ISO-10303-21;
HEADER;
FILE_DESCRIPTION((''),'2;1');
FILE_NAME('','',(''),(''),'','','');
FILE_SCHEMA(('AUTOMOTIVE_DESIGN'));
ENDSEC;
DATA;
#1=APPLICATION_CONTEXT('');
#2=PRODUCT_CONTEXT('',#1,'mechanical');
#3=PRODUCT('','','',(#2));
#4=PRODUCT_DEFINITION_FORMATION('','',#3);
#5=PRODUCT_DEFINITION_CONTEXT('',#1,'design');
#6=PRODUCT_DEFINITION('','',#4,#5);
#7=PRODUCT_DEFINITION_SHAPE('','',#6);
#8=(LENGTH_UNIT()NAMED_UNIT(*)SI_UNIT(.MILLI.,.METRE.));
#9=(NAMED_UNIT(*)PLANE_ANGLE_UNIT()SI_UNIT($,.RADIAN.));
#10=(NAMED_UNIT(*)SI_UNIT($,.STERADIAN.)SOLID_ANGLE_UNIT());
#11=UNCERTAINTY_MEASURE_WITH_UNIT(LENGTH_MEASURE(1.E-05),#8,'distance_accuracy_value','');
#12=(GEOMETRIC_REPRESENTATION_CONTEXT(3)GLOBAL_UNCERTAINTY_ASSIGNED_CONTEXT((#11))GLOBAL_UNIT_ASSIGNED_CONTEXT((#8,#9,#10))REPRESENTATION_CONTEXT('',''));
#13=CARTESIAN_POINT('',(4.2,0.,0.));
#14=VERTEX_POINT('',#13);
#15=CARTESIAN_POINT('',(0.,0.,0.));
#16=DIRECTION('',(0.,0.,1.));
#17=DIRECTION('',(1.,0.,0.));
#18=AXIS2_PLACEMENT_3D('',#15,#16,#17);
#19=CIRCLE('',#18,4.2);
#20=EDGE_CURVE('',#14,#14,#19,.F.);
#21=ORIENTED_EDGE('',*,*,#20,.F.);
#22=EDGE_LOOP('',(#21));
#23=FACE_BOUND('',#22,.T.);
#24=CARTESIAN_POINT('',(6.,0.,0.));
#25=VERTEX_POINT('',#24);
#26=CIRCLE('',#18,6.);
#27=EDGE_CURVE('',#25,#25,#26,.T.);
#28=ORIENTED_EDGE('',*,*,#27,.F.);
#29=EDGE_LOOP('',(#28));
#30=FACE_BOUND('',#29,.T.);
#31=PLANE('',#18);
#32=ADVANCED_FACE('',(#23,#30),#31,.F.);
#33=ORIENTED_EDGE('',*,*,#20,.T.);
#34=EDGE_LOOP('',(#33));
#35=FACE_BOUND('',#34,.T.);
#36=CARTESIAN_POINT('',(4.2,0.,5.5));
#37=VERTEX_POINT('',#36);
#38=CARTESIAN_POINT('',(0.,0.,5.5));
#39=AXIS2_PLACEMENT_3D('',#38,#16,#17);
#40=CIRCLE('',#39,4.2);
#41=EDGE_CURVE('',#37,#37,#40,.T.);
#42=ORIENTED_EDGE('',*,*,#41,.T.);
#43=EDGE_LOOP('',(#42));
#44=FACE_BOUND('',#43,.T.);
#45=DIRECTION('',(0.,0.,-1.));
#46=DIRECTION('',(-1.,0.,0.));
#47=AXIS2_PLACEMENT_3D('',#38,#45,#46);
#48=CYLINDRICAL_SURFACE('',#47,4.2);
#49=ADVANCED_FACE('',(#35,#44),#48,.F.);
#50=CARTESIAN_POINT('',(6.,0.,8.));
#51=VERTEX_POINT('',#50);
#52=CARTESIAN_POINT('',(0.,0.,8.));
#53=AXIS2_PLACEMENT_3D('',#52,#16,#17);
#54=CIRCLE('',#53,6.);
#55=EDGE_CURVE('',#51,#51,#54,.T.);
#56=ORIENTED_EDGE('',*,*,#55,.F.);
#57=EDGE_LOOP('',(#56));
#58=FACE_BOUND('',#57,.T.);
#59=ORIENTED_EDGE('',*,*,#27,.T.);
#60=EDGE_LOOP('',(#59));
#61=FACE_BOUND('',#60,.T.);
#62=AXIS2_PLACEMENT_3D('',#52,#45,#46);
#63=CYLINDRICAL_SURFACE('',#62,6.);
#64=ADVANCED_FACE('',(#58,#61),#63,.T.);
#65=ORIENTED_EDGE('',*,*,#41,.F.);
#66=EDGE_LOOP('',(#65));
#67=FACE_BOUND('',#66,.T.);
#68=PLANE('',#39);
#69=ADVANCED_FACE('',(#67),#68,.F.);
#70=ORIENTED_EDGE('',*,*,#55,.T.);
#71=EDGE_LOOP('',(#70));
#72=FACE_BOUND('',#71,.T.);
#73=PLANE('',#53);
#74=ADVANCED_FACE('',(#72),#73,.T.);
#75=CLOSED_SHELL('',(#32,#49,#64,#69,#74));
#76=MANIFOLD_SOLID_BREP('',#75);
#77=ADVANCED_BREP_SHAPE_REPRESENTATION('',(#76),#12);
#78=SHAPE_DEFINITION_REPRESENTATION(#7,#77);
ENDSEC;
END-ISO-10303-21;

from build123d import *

# Parameters (mm, degrees)
SKETCH1_R                   = 6
RETAINING_CAP_12OD_8L_DEPTH = 8
BLIND_AXLE_SOCKET_8P4_START = -0.1
SKETCH2_R                   = 4.2
BLIND_AXLE_SOCKET_8P4_DEPTH = 5.6


with BuildPart() as part:
    # Sketch1 → Retaining_Cap_12OD_8L (new body)
    with BuildSketch(Plane.XY):
        Circle(SKETCH1_R)
    extrude(amount=RETAINING_CAP_12OD_8L_DEPTH)

    # Sketch2 → Blind_Axle_Socket_8p4 (cut)
    with BuildSketch(Plane.XY.offset(BLIND_AXLE_SOCKET_8P4_START)):
        Circle(SKETCH2_R)
    extrude(amount=BLIND_AXLE_SOCKET_8P4_DEPTH, mode=Mode.SUBTRACT)


solid = part.part
